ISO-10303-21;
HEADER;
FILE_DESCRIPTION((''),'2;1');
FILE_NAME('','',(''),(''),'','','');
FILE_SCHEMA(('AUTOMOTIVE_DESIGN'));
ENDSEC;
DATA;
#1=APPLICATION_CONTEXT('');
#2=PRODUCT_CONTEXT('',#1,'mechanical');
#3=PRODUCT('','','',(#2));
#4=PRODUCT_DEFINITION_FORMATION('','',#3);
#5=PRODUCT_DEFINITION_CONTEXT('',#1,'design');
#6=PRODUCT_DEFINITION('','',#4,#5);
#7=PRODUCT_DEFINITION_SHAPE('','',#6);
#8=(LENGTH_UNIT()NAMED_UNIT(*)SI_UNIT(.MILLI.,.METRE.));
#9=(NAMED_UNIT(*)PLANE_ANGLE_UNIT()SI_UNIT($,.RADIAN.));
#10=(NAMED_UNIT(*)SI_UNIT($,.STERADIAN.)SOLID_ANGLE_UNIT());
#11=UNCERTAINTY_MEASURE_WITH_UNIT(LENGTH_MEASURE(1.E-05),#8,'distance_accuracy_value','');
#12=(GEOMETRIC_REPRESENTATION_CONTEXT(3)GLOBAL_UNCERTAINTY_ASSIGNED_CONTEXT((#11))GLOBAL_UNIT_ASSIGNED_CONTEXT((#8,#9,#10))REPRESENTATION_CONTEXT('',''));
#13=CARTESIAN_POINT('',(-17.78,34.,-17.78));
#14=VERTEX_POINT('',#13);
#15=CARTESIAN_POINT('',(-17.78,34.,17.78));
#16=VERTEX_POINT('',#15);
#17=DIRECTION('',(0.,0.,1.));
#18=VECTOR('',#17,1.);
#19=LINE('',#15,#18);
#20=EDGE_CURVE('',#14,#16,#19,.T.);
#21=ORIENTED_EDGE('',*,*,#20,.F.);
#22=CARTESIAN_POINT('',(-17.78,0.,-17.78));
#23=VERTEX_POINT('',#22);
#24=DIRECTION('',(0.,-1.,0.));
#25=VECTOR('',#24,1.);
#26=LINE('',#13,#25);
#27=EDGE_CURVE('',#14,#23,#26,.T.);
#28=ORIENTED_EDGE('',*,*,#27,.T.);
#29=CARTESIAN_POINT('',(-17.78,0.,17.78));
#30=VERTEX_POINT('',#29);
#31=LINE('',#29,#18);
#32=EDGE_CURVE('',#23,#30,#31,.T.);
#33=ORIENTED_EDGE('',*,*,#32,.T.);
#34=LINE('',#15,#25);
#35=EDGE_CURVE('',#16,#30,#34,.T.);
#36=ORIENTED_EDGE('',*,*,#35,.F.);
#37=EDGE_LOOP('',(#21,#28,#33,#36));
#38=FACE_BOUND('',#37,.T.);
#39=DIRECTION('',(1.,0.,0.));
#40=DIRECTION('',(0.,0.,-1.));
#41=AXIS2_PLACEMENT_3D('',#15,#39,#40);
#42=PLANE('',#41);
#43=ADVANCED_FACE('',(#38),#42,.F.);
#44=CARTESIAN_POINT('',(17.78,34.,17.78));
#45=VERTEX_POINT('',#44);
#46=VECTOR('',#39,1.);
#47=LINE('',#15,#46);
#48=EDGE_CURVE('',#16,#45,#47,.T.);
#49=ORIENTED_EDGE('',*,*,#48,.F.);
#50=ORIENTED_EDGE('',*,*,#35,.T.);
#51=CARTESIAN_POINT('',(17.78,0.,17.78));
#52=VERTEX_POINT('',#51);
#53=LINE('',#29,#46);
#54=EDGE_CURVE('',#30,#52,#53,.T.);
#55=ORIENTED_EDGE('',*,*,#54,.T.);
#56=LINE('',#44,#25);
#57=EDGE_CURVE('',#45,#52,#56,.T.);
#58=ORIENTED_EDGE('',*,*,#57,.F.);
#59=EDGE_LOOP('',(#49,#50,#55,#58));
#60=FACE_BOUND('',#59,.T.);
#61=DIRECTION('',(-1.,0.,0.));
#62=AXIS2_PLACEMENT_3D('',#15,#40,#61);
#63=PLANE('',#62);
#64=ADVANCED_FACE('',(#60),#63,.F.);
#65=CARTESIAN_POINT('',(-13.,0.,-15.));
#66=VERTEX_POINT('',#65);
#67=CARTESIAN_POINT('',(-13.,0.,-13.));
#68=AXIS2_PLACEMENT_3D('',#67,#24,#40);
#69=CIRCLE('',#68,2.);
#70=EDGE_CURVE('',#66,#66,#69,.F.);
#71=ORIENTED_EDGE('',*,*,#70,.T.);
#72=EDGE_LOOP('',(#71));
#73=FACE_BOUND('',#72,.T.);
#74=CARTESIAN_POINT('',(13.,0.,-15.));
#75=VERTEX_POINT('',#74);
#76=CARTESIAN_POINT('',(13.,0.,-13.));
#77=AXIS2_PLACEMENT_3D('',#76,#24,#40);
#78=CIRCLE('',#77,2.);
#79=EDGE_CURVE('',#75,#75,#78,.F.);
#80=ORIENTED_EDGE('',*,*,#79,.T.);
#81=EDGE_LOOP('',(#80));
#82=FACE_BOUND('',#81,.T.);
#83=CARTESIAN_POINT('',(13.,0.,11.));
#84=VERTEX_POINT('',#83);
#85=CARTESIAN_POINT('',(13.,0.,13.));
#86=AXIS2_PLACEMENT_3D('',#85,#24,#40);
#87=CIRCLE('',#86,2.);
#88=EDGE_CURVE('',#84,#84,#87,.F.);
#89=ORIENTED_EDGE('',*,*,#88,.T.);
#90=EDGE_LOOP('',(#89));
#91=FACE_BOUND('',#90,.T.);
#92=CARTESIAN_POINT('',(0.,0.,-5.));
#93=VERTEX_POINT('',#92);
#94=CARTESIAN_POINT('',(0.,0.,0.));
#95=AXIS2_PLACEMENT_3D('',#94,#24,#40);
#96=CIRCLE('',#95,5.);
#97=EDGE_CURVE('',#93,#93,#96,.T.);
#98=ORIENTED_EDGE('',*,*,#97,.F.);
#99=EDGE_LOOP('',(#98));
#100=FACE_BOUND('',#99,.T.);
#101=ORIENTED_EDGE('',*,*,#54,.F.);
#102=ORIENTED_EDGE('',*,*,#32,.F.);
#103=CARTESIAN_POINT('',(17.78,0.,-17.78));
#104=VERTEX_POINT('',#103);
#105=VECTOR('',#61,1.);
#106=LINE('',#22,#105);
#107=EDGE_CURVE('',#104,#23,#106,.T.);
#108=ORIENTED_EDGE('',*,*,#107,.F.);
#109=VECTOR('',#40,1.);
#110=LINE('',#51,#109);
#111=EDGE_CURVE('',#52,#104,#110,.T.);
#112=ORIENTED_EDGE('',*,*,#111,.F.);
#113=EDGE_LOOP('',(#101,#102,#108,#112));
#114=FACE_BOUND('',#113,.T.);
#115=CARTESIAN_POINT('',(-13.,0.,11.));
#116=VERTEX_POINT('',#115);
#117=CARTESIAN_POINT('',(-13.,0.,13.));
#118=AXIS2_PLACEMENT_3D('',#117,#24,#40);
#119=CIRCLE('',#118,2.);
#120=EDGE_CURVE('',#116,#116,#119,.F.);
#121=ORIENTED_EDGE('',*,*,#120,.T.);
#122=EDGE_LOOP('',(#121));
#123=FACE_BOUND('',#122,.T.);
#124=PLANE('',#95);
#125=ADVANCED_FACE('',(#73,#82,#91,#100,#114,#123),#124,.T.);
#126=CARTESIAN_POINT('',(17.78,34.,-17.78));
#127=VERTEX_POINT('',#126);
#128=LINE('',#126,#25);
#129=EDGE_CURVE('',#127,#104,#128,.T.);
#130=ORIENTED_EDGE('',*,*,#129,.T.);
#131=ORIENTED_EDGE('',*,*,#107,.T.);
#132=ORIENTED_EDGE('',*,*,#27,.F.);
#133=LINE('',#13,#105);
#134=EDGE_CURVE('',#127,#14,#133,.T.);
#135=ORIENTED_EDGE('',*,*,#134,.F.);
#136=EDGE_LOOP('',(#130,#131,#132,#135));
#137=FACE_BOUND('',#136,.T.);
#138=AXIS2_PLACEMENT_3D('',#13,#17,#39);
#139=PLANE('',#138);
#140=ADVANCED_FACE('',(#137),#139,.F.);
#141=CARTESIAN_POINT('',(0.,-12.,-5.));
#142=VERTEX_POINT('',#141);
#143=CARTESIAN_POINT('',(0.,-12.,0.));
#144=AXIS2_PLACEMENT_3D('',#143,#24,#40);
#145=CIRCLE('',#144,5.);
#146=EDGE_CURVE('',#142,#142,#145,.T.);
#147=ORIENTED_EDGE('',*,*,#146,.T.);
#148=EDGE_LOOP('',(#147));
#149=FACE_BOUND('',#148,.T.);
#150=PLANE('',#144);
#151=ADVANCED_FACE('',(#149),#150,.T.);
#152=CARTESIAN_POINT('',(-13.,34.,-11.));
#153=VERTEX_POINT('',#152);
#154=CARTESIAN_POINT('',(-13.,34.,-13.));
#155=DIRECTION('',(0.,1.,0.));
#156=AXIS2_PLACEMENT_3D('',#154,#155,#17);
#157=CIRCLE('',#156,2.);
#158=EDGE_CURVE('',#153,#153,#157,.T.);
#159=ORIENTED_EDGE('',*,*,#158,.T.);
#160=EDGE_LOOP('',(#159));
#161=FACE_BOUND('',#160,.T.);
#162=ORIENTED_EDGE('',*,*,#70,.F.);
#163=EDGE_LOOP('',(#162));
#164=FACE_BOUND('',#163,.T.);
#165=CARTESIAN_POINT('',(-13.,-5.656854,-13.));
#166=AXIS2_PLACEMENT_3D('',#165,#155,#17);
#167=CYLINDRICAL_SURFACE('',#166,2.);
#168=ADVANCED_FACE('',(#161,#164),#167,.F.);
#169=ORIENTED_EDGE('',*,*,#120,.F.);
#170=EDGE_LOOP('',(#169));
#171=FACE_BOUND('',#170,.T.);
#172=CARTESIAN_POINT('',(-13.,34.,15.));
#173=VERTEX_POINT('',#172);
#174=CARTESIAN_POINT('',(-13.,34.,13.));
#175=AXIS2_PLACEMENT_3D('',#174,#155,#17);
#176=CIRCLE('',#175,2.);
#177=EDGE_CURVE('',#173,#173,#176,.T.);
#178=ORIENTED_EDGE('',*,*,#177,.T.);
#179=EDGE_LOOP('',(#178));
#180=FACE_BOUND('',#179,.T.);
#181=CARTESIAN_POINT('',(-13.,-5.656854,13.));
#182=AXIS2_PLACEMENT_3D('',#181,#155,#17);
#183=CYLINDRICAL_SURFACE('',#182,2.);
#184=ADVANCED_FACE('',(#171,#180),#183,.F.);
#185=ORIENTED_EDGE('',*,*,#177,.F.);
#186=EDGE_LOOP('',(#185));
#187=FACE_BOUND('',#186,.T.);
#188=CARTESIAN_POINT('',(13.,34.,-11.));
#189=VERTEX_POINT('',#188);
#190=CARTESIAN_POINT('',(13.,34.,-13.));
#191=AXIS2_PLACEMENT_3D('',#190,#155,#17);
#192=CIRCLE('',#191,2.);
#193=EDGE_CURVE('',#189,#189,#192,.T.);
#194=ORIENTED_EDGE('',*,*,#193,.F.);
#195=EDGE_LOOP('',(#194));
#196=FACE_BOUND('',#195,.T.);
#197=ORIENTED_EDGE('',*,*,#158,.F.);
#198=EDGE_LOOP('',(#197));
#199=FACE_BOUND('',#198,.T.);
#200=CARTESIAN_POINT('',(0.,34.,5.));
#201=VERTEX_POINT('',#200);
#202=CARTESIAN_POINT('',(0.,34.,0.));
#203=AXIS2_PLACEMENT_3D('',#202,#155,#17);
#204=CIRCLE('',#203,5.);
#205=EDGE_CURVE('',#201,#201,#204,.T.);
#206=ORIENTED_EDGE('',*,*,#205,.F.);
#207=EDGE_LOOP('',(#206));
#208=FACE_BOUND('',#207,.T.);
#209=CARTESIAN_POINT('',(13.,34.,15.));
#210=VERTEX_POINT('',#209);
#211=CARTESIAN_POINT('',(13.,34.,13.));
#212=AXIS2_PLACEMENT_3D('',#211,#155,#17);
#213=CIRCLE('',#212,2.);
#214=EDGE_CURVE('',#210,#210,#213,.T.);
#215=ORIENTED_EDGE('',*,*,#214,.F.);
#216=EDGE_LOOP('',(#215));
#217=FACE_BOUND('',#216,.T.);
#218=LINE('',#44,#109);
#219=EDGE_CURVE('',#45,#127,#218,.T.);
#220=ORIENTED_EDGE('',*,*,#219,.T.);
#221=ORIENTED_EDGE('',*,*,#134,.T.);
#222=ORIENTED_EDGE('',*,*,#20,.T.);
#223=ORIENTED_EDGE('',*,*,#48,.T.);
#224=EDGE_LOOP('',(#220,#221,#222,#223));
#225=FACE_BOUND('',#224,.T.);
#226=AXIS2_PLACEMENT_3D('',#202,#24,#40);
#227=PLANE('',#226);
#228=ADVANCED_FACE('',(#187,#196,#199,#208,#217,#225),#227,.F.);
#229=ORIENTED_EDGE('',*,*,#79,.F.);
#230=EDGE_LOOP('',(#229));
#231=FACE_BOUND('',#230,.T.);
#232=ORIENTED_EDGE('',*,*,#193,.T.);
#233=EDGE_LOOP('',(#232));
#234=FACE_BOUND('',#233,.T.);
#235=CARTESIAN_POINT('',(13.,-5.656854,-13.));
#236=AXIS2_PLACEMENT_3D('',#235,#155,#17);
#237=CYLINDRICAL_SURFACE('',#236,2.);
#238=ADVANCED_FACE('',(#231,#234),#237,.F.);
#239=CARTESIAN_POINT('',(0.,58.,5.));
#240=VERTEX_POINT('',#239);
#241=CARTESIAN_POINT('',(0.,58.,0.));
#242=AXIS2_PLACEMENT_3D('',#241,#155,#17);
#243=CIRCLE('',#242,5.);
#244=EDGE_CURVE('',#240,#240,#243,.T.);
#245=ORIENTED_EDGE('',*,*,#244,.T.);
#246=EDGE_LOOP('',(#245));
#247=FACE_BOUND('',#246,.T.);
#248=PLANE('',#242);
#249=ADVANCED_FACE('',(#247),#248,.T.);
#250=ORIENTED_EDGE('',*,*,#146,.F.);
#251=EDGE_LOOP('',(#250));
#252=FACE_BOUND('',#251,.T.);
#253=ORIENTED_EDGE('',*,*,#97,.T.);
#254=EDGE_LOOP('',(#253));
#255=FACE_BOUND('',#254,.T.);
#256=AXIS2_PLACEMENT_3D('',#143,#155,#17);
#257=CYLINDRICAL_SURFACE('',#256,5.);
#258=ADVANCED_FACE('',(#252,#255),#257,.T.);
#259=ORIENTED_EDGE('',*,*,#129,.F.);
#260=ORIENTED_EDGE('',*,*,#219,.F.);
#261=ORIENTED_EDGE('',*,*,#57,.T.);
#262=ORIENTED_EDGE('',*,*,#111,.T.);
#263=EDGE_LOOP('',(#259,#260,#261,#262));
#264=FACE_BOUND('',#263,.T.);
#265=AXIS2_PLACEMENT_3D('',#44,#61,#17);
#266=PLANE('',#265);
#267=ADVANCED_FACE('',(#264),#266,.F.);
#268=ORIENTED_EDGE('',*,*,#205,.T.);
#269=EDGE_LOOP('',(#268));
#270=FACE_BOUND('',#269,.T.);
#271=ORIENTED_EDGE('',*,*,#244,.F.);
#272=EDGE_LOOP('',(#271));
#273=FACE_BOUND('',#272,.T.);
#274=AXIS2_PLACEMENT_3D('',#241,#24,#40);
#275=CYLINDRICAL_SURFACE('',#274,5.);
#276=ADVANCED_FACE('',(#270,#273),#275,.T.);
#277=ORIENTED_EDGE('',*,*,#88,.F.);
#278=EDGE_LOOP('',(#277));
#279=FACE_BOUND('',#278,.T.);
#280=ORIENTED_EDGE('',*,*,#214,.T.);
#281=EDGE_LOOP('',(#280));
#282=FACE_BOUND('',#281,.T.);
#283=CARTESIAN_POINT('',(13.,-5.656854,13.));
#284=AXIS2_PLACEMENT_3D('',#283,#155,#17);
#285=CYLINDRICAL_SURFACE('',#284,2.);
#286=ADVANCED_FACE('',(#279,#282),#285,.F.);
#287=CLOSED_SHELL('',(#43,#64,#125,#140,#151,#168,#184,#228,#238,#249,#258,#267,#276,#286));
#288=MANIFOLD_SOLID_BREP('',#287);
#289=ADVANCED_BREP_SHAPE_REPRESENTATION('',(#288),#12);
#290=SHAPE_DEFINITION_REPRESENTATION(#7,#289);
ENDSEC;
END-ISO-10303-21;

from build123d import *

# Parameters (mm, degrees)
SKETCH1_W           = 35.56
SKETCH1_H           = 35.56
BOSS_EXTRUDE1_DEPTH = 34
SKETCH2_R           = 5
BOSS_EXTRUDE2_DEPTH = 24
SKETCH3_R           = 5
BOSS_EXTRUDE3_DEPTH = 12
SKETCH4_R           = 2
CUT_EXTRUDE1_DEPTH  = 34


with BuildPart() as part:
    # Sketch1 → Boss-Extrude1 (new body)
    with BuildSketch(Plane(origin=(0, 0, 0), x_dir=(1, 0, 0), z_dir=(0, 1, 0))):
        Rectangle(SKETCH1_W, SKETCH1_H)
    extrude(amount=BOSS_EXTRUDE1_DEPTH)

    # Sketch2 → Boss-Extrude2 (add)
    with BuildSketch(Plane(origin=(0, 34, 0), x_dir=(1, 0, 0), z_dir=(0, 1, 0))):
        Circle(SKETCH2_R)
    extrude(amount=BOSS_EXTRUDE2_DEPTH)

    # Sketch3 → Boss-Extrude3 (add)
    with BuildSketch(Plane.XZ):
        Circle(SKETCH3_R)
    extrude(amount=BOSS_EXTRUDE3_DEPTH)

    # Sketch4 → Cut-Extrude1 (cut)
    with BuildSketch(Plane(origin=(0, 34, 0), x_dir=(1, 0, 0), z_dir=(0, 1, 0))):
        with Locations((-13, 13)):
            Circle(SKETCH4_R)
        with Locations((13, 13)):
            Circle(SKETCH4_R)
        with Locations((13, -13)):
            Circle(SKETCH4_R)
        with Locations((-13, -13)):
            Circle(SKETCH4_R)
    extrude(amount=-CUT_EXTRUDE1_DEPTH, mode=Mode.SUBTRACT)


solid = part.part
